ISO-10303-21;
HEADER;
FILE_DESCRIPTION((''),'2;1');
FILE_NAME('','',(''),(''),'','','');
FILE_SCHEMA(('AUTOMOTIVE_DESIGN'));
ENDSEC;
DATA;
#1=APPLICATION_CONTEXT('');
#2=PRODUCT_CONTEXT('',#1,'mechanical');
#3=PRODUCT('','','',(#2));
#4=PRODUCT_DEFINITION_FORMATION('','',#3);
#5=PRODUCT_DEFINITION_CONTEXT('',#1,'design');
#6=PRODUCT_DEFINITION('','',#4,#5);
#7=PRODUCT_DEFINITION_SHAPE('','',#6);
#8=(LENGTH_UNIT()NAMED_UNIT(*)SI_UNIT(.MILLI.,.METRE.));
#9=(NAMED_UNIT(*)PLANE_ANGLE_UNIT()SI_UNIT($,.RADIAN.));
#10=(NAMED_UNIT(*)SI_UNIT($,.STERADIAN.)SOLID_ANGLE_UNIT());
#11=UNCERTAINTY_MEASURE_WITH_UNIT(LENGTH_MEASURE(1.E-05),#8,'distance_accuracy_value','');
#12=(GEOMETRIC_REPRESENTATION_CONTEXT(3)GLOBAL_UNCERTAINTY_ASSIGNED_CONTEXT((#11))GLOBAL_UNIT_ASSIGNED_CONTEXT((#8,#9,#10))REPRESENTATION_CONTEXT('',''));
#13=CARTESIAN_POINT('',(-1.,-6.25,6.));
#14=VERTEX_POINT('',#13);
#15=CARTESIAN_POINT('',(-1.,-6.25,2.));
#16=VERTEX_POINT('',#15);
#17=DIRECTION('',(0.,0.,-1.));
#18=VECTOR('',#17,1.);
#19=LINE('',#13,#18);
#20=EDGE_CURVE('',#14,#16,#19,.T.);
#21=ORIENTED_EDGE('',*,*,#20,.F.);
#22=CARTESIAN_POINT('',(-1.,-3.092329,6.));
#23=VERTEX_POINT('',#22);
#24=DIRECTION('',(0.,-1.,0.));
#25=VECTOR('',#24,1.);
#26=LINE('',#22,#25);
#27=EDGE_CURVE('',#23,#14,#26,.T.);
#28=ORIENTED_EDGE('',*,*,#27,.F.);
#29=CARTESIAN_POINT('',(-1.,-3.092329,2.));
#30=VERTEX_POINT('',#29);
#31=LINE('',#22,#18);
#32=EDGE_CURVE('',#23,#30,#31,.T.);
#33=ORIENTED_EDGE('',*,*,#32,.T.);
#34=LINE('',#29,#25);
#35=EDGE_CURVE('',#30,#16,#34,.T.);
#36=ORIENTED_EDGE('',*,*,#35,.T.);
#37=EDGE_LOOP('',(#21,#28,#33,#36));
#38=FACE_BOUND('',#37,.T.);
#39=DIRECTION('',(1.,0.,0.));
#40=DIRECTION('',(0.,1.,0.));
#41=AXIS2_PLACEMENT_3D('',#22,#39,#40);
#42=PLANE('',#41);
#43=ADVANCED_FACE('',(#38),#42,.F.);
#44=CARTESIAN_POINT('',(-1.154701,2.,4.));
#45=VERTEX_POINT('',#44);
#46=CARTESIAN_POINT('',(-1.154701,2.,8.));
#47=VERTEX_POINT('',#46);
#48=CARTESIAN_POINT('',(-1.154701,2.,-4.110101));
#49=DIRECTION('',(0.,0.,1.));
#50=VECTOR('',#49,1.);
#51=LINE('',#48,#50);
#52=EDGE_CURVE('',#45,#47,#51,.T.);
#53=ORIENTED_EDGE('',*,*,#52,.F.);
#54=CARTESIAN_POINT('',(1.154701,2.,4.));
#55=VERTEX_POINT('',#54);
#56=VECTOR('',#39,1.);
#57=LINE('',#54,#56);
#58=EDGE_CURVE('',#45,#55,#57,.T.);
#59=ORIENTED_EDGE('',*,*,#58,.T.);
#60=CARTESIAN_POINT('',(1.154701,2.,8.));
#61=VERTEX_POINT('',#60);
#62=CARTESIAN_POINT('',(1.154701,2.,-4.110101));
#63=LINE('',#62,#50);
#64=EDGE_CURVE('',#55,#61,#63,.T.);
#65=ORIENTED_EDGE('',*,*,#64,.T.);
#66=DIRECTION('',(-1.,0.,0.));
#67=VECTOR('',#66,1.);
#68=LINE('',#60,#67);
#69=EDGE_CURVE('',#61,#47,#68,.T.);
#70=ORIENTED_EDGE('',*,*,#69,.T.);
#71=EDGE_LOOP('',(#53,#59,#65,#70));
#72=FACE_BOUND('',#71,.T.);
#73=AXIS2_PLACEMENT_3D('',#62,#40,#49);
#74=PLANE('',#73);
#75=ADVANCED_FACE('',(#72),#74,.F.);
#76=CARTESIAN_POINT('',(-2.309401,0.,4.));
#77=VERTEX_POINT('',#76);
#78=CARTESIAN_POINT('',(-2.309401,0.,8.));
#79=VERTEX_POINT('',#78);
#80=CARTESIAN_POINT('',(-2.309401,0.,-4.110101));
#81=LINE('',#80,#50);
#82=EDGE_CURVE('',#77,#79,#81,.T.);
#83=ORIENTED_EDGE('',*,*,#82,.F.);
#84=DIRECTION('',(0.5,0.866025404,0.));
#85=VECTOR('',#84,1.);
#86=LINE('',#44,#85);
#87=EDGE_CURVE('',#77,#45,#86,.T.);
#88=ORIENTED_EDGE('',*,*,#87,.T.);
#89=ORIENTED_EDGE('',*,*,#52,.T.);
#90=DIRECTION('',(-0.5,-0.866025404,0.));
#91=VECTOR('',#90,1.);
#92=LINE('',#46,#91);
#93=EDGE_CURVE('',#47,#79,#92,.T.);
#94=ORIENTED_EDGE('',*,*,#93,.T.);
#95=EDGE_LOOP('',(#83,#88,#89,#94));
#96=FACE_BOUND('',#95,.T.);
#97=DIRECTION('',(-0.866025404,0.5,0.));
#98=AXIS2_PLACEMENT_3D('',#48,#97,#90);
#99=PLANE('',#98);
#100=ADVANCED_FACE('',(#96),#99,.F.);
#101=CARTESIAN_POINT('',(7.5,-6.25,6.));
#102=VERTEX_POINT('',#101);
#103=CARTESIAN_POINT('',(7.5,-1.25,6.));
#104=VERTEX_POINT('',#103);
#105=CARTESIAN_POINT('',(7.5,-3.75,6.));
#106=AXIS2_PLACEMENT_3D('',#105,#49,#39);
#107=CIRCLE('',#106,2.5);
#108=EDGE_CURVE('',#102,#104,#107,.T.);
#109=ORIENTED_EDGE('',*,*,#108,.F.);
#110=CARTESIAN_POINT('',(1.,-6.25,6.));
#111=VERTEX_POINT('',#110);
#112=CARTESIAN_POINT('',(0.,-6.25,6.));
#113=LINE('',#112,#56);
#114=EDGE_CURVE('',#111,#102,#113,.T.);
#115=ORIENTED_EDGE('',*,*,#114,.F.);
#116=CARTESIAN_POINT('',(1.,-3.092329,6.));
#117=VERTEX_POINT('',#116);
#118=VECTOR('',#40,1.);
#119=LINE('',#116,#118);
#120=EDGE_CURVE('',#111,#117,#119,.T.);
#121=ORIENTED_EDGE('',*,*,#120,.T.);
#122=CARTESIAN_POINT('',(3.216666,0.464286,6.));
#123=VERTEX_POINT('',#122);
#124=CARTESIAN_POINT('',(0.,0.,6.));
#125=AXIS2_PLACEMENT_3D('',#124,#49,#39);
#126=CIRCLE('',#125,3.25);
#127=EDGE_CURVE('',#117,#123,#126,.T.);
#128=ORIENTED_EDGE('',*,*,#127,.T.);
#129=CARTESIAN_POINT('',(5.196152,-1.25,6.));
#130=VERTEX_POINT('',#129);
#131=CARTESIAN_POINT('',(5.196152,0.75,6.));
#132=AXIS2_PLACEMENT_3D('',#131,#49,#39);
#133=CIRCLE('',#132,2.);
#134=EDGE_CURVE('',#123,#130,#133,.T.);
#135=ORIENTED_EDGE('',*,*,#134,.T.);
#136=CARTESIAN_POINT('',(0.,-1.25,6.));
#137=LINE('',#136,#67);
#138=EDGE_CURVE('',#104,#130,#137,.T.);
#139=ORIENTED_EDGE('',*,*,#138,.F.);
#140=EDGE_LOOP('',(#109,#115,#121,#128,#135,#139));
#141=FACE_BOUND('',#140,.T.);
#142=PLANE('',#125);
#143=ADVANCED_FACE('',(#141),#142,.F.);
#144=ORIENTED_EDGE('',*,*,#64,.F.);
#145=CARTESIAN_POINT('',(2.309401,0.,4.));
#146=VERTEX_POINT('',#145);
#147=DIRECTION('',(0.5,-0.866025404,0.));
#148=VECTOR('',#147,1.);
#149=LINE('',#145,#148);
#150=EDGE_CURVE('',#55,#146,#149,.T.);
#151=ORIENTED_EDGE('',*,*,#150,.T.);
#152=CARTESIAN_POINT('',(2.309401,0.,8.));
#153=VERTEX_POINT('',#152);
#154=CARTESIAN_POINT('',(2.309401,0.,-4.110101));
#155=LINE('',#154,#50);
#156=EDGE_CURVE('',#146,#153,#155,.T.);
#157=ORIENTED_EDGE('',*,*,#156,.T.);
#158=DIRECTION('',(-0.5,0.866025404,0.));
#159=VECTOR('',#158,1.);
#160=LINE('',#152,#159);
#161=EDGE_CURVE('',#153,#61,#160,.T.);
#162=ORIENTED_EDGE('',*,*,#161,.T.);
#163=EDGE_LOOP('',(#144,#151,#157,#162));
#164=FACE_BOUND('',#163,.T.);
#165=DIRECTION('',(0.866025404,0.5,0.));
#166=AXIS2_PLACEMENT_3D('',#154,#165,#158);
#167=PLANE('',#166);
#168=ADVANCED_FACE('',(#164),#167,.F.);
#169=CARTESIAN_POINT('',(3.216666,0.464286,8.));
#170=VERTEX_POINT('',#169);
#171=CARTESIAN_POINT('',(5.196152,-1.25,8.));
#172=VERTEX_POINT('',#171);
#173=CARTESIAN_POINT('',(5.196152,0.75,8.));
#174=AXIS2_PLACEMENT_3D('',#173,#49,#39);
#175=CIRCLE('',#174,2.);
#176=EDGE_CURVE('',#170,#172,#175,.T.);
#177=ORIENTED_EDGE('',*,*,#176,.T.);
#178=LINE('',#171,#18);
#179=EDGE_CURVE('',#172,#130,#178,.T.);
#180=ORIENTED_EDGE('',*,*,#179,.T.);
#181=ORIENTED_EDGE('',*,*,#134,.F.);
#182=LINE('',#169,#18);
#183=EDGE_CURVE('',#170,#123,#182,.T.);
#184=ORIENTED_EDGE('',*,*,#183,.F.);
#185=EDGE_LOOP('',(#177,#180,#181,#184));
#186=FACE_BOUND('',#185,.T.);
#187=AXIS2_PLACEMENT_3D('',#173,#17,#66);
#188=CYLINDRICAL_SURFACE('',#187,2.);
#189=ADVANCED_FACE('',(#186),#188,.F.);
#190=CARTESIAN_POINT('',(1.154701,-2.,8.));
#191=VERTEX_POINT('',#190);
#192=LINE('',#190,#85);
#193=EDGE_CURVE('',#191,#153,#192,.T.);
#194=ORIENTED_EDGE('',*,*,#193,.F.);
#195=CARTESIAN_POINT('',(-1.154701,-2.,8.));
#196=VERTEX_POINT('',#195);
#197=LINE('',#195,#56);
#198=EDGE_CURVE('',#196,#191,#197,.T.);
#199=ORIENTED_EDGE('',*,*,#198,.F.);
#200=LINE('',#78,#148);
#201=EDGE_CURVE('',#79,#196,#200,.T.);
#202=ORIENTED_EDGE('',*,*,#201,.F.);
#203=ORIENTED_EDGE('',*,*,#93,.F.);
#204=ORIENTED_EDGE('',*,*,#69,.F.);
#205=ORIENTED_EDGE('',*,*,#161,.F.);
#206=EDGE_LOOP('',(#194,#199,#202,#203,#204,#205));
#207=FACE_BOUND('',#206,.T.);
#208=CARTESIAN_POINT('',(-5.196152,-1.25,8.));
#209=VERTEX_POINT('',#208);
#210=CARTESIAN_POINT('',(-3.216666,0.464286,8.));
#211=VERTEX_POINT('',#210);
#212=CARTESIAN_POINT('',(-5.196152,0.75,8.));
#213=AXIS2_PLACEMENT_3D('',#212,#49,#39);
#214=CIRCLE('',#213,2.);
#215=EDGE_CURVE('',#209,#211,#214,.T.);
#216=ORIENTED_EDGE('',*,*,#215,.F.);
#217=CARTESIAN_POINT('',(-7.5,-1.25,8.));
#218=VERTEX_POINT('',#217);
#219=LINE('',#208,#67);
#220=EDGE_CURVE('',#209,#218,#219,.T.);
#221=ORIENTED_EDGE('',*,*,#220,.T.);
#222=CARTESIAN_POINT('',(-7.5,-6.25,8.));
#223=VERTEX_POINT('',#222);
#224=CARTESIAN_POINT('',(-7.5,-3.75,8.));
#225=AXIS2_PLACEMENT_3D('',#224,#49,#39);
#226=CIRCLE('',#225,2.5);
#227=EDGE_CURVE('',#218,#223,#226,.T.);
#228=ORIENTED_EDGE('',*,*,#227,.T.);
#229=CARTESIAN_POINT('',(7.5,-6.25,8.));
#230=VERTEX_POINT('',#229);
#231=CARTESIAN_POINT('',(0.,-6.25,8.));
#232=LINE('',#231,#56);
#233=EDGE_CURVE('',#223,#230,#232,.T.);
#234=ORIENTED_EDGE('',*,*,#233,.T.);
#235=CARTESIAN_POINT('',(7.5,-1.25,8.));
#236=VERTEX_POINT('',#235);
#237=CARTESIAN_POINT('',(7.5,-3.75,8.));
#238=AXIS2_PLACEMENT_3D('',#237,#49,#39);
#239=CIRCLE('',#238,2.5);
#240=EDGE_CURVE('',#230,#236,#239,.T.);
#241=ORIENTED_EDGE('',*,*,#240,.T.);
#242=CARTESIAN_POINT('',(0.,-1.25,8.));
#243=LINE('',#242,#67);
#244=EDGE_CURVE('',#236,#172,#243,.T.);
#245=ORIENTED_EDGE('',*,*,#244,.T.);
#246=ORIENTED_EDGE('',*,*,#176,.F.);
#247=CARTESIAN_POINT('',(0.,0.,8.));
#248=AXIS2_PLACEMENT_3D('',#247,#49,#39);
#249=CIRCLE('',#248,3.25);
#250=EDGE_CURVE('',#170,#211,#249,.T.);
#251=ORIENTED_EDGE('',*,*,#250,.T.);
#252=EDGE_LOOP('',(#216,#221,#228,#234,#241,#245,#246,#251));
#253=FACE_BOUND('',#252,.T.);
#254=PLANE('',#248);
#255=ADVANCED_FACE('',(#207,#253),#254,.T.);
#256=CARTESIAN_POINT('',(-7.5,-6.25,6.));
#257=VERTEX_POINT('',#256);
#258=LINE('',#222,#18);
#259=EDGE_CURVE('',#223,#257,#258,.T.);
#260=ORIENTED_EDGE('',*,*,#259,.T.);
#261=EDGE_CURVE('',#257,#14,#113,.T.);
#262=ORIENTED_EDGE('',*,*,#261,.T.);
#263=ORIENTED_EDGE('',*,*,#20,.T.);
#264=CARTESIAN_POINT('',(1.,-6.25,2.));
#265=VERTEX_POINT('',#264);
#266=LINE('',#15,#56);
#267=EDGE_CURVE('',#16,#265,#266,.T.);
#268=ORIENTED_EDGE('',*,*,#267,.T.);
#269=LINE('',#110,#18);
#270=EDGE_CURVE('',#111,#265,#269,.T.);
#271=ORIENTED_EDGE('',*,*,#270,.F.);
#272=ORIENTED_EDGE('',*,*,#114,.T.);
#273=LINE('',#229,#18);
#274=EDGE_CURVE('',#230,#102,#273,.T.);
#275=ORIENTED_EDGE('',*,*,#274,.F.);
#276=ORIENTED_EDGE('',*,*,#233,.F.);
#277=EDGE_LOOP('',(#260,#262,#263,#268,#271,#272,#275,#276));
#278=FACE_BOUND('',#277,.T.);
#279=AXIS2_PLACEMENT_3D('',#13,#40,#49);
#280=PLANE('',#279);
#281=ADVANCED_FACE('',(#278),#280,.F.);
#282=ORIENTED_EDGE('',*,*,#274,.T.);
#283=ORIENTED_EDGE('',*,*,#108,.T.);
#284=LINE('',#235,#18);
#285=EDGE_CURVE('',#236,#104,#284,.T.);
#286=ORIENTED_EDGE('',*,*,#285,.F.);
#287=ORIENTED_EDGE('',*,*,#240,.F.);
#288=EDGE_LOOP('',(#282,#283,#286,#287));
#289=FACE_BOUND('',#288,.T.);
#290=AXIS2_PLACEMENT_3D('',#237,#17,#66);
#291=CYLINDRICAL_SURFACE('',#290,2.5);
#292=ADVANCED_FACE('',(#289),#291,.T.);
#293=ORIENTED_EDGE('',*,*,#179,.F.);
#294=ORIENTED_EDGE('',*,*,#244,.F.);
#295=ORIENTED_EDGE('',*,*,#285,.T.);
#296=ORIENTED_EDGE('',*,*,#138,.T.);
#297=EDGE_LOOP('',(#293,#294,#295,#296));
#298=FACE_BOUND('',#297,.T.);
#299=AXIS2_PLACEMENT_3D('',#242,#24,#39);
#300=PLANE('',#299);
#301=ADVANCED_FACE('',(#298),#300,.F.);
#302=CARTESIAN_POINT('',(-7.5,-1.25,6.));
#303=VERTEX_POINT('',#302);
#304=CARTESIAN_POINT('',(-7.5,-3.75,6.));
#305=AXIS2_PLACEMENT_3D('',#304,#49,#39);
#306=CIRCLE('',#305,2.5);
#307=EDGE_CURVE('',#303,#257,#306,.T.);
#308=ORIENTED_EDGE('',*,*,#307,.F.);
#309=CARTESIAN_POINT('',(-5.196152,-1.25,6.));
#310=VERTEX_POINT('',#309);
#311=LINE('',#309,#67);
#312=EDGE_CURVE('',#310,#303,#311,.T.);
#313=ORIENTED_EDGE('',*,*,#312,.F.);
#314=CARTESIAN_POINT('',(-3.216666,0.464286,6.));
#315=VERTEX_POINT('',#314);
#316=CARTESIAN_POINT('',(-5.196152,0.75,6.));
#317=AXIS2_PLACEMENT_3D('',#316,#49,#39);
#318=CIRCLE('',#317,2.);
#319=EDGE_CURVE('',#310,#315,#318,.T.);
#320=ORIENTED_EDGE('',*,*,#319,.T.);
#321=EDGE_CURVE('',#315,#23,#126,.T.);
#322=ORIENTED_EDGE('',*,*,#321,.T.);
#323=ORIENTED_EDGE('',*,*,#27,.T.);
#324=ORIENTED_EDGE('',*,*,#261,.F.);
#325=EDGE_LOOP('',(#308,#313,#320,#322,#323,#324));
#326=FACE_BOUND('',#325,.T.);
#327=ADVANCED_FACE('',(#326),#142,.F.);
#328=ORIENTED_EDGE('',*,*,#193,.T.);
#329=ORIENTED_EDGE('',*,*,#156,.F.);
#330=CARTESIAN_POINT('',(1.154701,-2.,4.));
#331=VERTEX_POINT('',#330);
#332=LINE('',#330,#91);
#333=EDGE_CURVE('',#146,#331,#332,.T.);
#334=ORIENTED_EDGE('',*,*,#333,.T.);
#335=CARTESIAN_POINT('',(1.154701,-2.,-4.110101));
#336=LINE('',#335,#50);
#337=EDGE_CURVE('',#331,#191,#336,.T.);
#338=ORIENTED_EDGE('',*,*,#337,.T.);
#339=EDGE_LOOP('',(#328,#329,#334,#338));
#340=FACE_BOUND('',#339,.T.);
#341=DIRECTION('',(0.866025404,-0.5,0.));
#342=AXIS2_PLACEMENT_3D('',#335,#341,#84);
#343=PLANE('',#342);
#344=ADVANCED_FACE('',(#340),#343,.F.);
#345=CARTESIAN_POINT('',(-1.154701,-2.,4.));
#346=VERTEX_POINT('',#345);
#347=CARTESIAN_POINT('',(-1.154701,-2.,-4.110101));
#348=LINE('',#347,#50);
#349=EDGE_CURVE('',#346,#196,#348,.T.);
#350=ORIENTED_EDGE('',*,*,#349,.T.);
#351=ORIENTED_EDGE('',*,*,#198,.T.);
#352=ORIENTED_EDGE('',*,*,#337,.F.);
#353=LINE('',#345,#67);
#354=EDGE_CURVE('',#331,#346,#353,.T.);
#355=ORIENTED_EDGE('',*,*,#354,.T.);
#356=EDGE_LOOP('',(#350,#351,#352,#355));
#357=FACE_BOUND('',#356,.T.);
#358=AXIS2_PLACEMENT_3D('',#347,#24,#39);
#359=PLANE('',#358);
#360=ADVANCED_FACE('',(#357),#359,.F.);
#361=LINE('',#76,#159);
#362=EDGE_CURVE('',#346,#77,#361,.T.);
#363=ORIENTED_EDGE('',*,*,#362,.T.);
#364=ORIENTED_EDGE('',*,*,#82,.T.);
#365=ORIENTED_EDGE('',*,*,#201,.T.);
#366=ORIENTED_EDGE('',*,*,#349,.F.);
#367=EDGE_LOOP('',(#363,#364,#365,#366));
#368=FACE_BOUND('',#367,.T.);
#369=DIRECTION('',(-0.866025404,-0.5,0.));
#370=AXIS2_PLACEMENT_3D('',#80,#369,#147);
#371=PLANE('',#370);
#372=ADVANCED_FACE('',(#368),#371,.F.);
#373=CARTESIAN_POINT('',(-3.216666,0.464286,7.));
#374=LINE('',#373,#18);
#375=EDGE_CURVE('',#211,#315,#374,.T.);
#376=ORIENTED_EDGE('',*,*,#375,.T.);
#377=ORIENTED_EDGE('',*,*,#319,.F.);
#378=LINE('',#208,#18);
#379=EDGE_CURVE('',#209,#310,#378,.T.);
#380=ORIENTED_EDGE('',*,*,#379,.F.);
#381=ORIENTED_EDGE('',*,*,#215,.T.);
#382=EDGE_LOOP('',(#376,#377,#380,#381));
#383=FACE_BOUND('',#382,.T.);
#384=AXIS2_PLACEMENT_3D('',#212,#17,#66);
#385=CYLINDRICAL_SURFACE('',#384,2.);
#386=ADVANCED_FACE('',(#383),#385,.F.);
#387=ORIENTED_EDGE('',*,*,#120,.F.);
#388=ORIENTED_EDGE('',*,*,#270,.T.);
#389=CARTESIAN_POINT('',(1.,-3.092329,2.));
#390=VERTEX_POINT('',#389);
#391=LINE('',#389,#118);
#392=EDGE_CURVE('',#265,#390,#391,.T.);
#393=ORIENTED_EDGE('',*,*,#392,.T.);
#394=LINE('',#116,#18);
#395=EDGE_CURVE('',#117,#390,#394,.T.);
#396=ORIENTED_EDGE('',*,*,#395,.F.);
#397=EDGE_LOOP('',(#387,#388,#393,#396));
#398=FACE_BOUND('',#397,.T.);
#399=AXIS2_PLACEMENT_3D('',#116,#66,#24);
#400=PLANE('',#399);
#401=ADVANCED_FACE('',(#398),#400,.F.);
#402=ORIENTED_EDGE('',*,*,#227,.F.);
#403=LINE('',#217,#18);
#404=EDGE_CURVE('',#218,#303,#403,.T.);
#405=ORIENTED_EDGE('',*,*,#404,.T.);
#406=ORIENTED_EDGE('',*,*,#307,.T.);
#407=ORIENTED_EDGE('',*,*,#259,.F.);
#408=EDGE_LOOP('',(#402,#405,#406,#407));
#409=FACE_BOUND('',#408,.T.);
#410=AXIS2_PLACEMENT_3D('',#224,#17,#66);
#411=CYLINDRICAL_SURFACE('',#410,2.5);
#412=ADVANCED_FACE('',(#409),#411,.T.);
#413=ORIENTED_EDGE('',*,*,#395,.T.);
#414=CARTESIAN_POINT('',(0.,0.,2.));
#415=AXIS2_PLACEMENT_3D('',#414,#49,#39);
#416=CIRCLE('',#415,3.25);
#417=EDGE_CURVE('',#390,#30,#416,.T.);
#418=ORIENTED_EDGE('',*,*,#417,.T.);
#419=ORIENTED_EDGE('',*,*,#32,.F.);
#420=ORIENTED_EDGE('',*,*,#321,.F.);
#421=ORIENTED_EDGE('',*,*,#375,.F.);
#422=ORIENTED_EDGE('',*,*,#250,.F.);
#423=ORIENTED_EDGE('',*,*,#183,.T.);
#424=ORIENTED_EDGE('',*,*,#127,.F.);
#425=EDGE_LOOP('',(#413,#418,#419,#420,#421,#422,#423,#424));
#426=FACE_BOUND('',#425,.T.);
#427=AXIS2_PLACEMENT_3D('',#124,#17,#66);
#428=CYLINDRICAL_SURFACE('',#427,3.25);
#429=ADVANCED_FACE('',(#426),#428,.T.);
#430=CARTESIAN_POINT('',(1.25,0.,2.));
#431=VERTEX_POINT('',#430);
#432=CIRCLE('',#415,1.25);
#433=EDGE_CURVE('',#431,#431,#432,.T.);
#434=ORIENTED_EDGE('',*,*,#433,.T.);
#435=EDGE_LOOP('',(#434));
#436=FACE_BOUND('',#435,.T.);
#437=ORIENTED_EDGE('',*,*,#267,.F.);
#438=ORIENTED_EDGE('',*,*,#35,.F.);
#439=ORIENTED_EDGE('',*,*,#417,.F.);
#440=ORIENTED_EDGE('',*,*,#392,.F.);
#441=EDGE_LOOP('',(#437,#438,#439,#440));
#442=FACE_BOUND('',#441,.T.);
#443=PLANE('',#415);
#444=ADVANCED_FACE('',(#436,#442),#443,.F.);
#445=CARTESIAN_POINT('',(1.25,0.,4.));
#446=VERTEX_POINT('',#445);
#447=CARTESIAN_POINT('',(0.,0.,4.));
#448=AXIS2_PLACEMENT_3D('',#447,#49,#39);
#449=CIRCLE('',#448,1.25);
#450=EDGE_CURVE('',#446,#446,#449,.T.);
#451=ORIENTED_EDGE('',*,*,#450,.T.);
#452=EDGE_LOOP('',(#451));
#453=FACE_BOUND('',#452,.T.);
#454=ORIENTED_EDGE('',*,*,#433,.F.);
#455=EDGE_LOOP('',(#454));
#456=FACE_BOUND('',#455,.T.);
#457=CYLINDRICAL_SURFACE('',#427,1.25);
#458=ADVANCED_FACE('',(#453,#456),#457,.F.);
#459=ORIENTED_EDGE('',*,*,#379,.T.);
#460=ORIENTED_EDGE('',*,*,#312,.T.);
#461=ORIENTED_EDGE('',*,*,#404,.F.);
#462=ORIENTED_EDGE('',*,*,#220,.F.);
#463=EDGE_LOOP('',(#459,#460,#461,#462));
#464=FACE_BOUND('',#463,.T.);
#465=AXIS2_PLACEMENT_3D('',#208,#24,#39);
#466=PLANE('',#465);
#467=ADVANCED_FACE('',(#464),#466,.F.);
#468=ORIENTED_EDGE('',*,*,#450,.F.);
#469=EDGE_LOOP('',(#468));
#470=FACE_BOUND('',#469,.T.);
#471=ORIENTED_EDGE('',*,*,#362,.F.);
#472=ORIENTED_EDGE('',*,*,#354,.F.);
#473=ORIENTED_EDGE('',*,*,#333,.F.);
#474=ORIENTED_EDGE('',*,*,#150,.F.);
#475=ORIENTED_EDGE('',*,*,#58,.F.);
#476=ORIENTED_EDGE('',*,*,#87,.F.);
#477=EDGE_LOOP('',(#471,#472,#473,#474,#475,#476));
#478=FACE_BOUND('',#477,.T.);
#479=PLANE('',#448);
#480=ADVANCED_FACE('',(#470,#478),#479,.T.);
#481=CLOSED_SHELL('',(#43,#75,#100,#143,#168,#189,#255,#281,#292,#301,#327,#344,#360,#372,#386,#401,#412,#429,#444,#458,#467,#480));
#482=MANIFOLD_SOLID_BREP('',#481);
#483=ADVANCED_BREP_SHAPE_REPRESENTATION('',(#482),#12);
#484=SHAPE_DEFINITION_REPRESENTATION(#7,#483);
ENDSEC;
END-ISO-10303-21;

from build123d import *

# Parameters (mm, degrees)
SKETCH1_R           = 1.25
BOSS_EXTRUDE1_DEPTH = 2
BOSS_EXTRUDE2_DEPTH = 4
FILLET1_R           = 2
SKETCH3_R           = 1.25
BOSS_EXTRUDE3_DEPTH = 4
BOSS_EXTRUDE4_DEPTH = 2
CUT_EXTRUDE1_DEPTH  = 4


with BuildPart() as part:
    # Sketch1 → Boss-Extrude1 (new body)
    with BuildSketch(Plane.XY):
        with BuildLine():
            Line((-7.5, -1.25), (-3, -1.25))
            ThreePointArc((-3, -1.25), (0, 3.25), (3, -1.25))
            Line((3, -1.25), (7.5, -1.25))
            ThreePointArc((7.5, -1.25), (10, -3.75), (7.5, -6.25))
            Line((7.5, -6.25), (-7.5, -6.25))
            ThreePointArc((-7.5, -6.25), (-10, -3.75), (-7.5, -1.25))
        make_face()
        Circle(SKETCH1_R, mode=Mode.SUBTRACT)
    extrude(amount=BOSS_EXTRUDE1_DEPTH)

    # Sketch2 → Boss-Extrude2 (add)
    with BuildSketch(Plane.XY.offset(2)):
        with BuildLine():
            Line((-8, -6.199489743), (-8, -1.300510257))
            ThreePointArc((-8, -1.300510257), (-10, -3.75), (-8, -6.199489743))
        make_face()
        with BuildLine():
            ThreePointArc((3, -1.703672504), (0, -3.45), (-3, -1.703672504))
            Line((-3, -1.703672504), (-3, -6.25))
            Line((-3, -6.25), (3, -6.25))
            Line((3, -6.25), (3, -1.703672504))
        make_face()
        with BuildLine():
            ThreePointArc((8, -6.199489743), (10, -3.75), (8, -1.300510257))
            Line((8, -1.300510257), (8, -6.199489743))
        make_face()
    extrude(amount=BOSS_EXTRUDE2_DEPTH)

    # Fillet1
    fillet1_edges = [part.edges().sort_by_distance(p)[0] for p in [
        (3, -1.25, 1),
        (-3, -1.25, 1),
    ]]
    fillet(fillet1_edges, radius=FILLET1_R)


with BuildPart() as body_2:
    # Sketch3 → Boss-Extrude3 (new body)
    with BuildSketch(Plane.XY.offset(2)):
        with BuildLine():
            Line((-1, -3.092329219), (-1, -6.25))
            Line((-1, -6.25), (1, -6.25))
            Line((1, -6.25), (1, -3.092329219))
            ThreePointArc((1, -3.092329219), (0, 3.25), (-1, -3.092329219))
        make_face()
        Circle(SKETCH3_R, mode=Mode.SUBTRACT)
    extrude(amount=BOSS_EXTRUDE3_DEPTH)

    # Sketch4 → Boss-Extrude4 (add)
    with BuildSketch(Plane.XY.offset(6)):
        with BuildLine():
            Line((7.5, -1.25), (5.196152423, -1.25))
            ThreePointArc((5.196152423, -1.25), (3.886845081, -0.761857892), (3.216665785, 0.464285714))
            ThreePointArc((3.216665785, 0.464285714), (0, 3.25), (-3.216665785, 0.464285714))
            ThreePointArc((-3.216665785, 0.464285714), (-3.886845081, -0.761857892), (-5.196152423, -1.25))
            Line((-5.196152423, -1.25), (-7.5, -1.25))
            ThreePointArc((-7.5, -1.25), (-10, -3.75), (-7.5, -6.25))
            Line((-7.5, -6.25), (7.5, -6.25))
            ThreePointArc((7.5, -6.25), (10, -3.75), (7.5, -1.25))
        make_face()
    extrude(amount=BOSS_EXTRUDE4_DEPTH)

    # Sketch5 → Cut-Extrude1 (cut)
    with BuildSketch(Plane.XY.offset(8)):
        Polygon((1.154700538, 2), (-1.154700538, 2), (-2.309401077, 0), (-1.154700538, -2), (1.154700538, -2), (2.309401077, 0), align=None)
    extrude(amount=-CUT_EXTRUDE1_DEPTH, mode=Mode.SUBTRACT)


solid = body_2.part
